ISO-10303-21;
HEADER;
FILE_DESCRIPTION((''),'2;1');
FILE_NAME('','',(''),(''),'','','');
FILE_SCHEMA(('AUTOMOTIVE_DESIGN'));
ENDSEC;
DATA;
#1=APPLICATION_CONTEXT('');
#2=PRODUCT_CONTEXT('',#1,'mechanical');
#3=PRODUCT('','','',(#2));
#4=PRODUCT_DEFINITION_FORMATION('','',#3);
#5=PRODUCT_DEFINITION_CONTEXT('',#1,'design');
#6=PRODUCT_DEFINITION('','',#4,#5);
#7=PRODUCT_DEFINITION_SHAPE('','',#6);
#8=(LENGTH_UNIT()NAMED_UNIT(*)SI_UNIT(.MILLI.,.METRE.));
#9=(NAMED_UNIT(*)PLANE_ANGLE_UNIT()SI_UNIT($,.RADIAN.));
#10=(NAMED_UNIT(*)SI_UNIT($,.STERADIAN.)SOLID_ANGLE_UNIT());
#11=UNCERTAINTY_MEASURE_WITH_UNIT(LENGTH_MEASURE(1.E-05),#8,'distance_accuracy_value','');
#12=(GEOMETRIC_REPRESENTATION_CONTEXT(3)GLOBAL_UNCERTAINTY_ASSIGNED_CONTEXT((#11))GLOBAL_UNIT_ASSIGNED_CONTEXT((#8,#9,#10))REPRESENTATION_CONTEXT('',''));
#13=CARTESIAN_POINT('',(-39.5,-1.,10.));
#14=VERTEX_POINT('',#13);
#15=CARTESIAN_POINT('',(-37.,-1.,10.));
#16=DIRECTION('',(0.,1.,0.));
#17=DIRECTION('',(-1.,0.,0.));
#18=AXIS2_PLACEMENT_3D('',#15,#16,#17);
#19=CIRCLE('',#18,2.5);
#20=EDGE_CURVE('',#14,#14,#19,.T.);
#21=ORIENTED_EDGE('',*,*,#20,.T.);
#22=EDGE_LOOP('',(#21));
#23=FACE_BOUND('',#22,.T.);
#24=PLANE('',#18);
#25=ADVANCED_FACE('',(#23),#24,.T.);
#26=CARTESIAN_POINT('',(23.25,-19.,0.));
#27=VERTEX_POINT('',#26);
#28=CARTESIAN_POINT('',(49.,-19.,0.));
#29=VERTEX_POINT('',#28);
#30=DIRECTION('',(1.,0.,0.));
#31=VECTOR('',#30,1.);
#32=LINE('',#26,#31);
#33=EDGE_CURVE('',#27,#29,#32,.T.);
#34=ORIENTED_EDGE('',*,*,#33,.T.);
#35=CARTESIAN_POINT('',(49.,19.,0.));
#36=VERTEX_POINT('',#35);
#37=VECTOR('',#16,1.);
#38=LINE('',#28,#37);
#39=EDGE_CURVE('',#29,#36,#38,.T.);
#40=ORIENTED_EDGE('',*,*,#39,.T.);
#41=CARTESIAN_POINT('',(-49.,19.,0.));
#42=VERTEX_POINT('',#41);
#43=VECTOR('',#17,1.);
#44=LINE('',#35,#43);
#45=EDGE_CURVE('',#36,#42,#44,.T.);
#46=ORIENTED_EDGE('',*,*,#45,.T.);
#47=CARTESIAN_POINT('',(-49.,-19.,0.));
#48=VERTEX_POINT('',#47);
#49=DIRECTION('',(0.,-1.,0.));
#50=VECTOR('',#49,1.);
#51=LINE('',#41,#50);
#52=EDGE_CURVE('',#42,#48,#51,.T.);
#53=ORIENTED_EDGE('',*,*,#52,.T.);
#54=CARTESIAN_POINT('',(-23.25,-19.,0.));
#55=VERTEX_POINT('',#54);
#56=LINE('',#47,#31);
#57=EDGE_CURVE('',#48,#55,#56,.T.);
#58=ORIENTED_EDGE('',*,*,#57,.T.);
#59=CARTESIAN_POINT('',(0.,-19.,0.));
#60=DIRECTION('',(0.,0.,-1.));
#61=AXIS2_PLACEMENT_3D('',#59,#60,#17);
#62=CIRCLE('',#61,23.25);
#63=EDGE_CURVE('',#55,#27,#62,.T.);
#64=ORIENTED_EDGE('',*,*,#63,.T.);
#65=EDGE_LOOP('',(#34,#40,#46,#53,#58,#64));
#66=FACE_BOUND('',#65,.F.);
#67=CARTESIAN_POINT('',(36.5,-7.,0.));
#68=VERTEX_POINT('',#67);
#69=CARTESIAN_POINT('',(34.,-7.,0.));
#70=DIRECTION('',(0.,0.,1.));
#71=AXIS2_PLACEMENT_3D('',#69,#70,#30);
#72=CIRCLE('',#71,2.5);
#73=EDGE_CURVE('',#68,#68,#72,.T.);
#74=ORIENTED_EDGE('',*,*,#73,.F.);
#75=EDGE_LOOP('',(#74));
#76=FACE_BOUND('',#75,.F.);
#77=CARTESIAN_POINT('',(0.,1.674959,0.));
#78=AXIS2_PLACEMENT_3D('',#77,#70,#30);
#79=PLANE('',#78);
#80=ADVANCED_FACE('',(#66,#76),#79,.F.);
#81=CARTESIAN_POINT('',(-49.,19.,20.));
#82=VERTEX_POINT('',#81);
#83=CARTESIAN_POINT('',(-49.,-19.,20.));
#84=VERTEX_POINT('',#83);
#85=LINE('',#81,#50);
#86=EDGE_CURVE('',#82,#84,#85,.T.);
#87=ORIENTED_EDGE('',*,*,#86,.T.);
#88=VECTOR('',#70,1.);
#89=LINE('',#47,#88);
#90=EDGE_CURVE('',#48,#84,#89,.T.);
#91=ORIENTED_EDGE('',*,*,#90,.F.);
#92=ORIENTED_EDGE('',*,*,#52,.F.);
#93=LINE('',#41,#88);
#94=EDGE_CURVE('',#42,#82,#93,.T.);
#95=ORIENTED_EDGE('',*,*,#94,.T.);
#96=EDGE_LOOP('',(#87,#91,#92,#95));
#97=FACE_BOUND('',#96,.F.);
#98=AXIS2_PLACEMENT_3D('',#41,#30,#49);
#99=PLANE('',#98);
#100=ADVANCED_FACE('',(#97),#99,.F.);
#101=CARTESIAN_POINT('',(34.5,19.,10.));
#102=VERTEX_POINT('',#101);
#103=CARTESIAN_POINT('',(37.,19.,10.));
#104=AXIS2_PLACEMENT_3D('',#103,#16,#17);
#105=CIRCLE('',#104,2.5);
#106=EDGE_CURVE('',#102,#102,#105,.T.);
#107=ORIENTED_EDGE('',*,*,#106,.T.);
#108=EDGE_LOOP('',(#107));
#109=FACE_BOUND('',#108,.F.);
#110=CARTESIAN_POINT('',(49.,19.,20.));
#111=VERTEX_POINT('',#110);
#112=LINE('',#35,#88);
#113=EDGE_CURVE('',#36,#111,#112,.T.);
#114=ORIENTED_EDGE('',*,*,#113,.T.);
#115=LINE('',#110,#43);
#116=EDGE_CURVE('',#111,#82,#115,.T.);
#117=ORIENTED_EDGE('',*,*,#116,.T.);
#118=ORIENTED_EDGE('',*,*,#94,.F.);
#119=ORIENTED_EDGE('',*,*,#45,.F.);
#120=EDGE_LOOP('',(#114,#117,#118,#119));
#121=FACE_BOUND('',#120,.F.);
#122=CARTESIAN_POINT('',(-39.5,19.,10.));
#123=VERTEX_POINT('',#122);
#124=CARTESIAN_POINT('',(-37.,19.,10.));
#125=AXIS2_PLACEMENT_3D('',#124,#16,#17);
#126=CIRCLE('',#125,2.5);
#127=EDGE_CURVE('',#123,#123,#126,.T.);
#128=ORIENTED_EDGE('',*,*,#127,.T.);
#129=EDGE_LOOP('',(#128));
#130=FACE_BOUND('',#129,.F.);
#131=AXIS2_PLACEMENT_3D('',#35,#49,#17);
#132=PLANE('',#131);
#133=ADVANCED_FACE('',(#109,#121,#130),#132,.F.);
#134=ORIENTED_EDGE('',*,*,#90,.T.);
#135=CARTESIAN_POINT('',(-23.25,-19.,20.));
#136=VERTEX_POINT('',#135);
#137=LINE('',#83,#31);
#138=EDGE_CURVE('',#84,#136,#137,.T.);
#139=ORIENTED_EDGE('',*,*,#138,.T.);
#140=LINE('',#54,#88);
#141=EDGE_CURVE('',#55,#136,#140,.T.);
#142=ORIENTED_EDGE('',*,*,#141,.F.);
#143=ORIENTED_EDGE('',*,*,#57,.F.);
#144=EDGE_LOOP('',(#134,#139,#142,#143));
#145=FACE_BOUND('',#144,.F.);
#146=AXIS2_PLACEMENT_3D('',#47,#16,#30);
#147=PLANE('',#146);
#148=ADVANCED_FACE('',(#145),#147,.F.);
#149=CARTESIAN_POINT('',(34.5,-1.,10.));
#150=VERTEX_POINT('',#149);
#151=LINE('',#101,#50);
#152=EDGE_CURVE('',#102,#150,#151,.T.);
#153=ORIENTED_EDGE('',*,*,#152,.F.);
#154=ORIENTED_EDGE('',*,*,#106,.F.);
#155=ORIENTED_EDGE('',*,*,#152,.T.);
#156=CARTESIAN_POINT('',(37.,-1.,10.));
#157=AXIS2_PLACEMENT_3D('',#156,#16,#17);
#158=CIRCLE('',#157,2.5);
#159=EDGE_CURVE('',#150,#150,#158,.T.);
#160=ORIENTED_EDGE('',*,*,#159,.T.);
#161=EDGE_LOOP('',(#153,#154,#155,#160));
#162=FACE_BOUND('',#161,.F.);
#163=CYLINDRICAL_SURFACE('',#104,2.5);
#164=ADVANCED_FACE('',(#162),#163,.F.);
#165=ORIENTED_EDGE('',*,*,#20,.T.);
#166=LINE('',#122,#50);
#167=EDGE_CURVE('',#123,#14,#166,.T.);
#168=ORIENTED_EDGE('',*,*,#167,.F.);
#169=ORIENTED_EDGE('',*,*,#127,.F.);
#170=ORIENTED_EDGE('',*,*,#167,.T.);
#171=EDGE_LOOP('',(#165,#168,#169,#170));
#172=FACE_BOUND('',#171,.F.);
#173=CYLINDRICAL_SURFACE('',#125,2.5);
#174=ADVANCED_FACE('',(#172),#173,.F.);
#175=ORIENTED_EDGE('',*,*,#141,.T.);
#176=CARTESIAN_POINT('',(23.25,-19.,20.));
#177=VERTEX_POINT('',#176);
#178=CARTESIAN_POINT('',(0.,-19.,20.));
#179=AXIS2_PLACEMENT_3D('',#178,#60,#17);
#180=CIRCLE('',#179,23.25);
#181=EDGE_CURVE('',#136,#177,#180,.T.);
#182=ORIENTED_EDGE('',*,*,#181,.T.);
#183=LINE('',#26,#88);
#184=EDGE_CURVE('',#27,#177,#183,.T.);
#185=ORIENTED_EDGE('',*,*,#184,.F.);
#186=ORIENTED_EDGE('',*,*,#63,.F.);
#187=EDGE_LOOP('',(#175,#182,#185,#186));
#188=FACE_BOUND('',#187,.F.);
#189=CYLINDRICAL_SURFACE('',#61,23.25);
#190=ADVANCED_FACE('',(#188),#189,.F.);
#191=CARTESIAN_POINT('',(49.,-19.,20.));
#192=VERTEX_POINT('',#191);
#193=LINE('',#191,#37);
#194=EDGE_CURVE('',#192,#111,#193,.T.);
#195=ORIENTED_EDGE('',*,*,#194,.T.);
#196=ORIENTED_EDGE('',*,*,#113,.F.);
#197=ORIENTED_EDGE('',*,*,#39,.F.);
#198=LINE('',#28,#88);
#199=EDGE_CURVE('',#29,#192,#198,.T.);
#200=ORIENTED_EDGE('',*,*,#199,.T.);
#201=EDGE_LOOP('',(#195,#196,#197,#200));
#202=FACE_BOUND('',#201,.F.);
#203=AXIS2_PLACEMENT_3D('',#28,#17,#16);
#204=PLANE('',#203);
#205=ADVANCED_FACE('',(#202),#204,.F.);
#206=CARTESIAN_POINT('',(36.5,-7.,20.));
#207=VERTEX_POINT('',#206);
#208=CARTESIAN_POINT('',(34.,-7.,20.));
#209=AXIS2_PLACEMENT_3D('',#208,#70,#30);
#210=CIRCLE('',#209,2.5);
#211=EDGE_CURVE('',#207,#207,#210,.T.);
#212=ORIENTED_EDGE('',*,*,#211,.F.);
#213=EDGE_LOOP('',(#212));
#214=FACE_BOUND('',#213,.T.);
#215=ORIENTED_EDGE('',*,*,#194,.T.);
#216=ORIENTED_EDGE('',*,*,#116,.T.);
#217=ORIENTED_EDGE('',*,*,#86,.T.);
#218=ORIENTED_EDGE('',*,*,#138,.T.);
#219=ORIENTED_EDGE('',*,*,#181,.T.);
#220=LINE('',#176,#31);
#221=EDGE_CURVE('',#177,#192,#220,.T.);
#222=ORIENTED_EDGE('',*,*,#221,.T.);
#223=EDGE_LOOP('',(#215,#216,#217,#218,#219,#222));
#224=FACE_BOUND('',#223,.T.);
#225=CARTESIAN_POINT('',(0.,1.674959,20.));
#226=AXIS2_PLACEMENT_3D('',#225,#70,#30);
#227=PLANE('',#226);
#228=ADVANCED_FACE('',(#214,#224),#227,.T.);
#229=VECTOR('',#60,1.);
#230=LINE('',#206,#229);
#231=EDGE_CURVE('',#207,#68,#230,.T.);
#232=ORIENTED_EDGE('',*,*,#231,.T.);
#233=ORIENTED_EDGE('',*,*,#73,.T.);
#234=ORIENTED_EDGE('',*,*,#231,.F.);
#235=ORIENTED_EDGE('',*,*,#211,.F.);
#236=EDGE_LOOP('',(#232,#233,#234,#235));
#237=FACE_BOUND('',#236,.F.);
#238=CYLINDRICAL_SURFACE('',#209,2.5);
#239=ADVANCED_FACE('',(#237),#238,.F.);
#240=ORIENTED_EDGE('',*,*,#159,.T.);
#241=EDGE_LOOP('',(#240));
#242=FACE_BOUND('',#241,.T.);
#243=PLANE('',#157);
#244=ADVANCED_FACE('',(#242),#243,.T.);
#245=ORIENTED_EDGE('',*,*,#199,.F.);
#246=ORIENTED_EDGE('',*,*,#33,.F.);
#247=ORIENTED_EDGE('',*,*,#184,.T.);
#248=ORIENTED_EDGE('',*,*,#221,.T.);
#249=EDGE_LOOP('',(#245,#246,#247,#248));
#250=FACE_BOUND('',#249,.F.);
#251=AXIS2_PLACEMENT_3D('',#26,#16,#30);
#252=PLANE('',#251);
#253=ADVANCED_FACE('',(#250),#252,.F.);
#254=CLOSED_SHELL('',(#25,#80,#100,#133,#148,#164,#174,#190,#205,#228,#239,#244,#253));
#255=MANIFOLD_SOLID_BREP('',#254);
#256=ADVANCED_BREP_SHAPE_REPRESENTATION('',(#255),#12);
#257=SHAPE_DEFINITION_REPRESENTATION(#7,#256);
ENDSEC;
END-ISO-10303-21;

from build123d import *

# Parameters (mm, degrees)
F1_DEPTH = 20
F2_R     = 2.5
F3_DEPTH = 20
F4_R     = 2.5
F5_DEPTH = 20


with BuildPart() as f1:
    # F0 (on Top) → F1 (new body)
    with BuildSketch(Plane.XY):
        with BuildLine():
            Line((49, -19), (49, 19))
            Line((49, 19), (-49, 19))
            Line((-49, 19), (-49, -19))
            Line((-49, -19), (-23.25, -19))
            ThreePointArc((-23.25, -19), (0, 4.25), (23.25, -19))
            Line((23.25, -19), (49, -19))
        make_face()
    extrude(amount=F1_DEPTH)

    # F2 (on face) → F3 (cut)
    with BuildSketch(Plane(origin=(0, 19, 0), x_dir=(-1, 0, 0), z_dir=(0, 1, 0))):
        with Locations((-37, 10)):
            Circle(F2_R)
        with Locations((37, 10)):
            Circle(F2_R)
    extrude(amount=-F3_DEPTH, mode=Mode.SUBTRACT)

    # F4 (on face) → F5 (cut)
    with BuildSketch(Plane.XY.offset(20)):
        with Locations((34, -7)):
            Circle(F4_R)
    extrude(amount=-F5_DEPTH, mode=Mode.SUBTRACT)


solid = f1.part
